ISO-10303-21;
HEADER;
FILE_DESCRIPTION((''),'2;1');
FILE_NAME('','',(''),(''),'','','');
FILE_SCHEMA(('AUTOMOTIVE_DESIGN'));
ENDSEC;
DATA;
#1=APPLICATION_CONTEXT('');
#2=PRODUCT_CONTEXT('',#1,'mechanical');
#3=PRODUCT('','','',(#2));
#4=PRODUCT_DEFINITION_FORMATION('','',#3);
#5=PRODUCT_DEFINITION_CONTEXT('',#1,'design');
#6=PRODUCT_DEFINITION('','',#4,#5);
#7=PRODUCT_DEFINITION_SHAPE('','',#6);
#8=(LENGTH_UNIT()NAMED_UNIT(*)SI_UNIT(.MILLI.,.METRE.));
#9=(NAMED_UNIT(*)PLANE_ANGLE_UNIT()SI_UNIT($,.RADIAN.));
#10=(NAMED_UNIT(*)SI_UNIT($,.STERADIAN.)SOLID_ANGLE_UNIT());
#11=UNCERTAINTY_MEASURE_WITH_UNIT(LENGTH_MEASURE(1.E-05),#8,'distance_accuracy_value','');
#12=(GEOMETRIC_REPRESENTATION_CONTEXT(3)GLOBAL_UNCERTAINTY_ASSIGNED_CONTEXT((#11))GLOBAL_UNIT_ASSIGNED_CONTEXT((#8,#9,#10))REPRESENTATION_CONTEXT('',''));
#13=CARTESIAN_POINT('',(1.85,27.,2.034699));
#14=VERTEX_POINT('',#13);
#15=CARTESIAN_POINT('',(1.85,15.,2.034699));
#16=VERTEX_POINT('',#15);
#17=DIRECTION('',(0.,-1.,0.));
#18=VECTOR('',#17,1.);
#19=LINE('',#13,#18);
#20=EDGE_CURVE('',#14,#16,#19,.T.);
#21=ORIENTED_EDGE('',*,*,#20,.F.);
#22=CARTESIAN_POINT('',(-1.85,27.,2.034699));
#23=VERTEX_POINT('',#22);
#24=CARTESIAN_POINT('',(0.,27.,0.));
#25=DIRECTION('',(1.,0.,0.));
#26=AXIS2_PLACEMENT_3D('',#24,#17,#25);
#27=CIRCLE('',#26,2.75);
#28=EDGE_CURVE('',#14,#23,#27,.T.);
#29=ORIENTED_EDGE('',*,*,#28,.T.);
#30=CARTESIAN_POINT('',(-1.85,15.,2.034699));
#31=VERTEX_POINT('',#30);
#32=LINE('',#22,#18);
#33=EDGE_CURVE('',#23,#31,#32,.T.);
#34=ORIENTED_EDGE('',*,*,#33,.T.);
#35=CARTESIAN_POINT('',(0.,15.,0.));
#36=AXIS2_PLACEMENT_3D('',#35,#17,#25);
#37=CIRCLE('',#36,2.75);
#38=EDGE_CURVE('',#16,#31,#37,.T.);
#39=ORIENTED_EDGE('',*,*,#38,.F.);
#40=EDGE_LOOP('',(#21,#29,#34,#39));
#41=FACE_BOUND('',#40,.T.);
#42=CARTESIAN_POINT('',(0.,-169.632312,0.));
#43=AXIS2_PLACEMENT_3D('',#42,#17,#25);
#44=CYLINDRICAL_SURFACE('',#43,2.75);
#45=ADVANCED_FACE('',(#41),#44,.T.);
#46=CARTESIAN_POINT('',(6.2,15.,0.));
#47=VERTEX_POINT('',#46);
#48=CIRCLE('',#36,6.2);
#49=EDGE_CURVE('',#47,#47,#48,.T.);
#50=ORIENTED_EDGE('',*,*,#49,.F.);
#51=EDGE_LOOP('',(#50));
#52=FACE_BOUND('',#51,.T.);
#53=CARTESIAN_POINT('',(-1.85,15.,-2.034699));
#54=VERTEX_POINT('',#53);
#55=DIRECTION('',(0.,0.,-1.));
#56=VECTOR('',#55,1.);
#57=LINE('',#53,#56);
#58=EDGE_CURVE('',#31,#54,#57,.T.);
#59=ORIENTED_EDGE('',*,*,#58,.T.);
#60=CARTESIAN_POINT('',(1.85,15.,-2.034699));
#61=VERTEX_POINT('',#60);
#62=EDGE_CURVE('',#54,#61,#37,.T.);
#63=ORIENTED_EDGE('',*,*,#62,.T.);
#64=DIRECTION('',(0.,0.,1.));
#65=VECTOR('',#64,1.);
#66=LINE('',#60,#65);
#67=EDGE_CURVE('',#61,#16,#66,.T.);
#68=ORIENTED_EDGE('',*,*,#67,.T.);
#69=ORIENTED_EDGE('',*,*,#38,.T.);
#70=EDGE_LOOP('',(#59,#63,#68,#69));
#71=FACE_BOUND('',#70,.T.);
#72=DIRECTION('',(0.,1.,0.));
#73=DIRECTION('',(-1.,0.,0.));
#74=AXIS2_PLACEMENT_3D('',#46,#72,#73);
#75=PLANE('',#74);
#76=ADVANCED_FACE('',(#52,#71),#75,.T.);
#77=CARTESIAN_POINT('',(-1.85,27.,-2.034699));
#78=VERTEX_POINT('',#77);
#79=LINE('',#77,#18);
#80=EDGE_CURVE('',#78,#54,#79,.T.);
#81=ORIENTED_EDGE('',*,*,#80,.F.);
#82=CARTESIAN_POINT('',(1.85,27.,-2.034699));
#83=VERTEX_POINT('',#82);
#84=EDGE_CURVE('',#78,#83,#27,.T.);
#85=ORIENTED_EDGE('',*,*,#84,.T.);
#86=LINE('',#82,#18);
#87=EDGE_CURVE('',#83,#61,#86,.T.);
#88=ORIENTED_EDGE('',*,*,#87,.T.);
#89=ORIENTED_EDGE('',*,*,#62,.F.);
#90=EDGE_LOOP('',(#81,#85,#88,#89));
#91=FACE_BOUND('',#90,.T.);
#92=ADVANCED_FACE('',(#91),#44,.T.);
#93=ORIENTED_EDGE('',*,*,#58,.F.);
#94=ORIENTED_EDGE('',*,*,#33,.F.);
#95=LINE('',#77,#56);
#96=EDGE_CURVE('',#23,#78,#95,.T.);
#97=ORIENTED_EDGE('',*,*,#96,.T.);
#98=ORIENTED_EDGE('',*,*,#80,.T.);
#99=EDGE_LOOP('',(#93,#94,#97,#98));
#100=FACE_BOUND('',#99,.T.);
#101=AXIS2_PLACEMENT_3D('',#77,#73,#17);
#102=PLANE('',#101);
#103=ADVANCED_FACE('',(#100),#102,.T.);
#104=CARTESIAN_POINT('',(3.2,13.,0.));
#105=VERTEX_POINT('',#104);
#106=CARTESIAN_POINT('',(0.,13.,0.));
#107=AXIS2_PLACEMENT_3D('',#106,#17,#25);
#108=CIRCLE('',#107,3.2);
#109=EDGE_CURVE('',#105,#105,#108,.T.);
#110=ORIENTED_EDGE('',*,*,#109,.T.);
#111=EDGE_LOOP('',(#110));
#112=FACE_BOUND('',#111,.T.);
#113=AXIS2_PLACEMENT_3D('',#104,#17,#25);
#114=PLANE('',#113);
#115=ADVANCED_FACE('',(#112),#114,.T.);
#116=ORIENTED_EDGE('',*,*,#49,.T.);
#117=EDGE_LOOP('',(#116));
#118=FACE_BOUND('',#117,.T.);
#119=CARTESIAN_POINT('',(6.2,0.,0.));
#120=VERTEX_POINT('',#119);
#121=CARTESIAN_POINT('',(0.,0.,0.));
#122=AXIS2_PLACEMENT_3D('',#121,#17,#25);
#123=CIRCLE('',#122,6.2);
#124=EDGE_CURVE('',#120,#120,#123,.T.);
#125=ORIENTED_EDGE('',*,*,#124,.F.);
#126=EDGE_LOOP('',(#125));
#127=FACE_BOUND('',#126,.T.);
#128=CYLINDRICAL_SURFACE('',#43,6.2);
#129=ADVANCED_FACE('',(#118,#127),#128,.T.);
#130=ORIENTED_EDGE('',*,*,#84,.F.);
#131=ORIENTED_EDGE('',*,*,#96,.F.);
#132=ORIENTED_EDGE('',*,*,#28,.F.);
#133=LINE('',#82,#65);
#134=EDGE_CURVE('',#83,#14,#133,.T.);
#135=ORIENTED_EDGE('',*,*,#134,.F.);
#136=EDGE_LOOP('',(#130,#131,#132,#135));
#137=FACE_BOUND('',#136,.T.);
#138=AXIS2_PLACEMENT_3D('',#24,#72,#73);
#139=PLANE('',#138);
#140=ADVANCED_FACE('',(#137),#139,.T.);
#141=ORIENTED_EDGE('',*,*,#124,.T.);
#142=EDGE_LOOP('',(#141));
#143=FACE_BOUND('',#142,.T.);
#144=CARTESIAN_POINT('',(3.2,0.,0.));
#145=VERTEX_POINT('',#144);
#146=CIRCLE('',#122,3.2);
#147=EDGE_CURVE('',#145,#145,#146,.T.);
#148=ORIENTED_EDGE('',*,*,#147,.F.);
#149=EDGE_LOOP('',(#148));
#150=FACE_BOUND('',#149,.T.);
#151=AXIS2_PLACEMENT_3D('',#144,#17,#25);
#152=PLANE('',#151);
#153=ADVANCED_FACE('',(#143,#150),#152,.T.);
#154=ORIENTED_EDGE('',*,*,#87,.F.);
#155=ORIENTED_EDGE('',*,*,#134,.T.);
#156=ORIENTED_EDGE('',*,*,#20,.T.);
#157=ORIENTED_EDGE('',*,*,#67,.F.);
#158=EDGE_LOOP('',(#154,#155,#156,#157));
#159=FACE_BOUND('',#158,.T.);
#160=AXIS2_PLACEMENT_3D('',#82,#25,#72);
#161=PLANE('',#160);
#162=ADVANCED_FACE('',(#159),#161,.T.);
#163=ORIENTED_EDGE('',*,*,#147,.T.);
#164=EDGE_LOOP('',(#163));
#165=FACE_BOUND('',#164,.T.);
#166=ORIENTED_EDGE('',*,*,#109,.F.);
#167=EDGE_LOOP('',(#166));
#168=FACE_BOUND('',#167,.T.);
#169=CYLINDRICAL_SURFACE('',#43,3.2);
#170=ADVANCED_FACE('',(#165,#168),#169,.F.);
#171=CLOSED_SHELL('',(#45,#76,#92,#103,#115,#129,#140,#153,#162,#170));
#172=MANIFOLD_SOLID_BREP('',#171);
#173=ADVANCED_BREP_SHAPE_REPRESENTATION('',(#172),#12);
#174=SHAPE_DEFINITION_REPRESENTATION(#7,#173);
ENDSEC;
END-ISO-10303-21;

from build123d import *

# Parameters (mm, degrees)
CORTAR_EXTRUIR1_DEPTH = 18.374694242


with BuildPart() as part:
    # Croquis3 → Revolución1 (revolve)
    with BuildSketch(Plane.XY):
        Polygon((3.2, 0), (6.2, 0), (6.2, 15), (2.75, 15), (2.75, 27), (0, 27), (0, 13), (3.2, 13), align=None)
    revolve(axis=Axis((0, -169.632312065, 0), (0, 1, 0)))

    # Croquis4 → Cortar-Extruir1 (cut, through all)
    with BuildSketch(Plane(origin=(0, 15, 0), x_dir=(1, 0, 0), z_dir=(0, 1, 0))):
        with BuildLine():
            Line((1.85, 2.034698995), (1.85, -2.034698995))
            ThreePointArc((1.85, -2.034698995), (2.75, 0), (1.85, 2.034698995))
        make_face()
        with BuildLine():
            Line((-1.85, 2.034698995), (-1.85, -2.034698995))
            ThreePointArc((-1.85, -2.034698995), (-2.75, 0), (-1.85, 2.034698995))
        make_face()
    extrude(amount=CORTAR_EXTRUIR1_DEPTH, mode=Mode.SUBTRACT)


solid = part.part
